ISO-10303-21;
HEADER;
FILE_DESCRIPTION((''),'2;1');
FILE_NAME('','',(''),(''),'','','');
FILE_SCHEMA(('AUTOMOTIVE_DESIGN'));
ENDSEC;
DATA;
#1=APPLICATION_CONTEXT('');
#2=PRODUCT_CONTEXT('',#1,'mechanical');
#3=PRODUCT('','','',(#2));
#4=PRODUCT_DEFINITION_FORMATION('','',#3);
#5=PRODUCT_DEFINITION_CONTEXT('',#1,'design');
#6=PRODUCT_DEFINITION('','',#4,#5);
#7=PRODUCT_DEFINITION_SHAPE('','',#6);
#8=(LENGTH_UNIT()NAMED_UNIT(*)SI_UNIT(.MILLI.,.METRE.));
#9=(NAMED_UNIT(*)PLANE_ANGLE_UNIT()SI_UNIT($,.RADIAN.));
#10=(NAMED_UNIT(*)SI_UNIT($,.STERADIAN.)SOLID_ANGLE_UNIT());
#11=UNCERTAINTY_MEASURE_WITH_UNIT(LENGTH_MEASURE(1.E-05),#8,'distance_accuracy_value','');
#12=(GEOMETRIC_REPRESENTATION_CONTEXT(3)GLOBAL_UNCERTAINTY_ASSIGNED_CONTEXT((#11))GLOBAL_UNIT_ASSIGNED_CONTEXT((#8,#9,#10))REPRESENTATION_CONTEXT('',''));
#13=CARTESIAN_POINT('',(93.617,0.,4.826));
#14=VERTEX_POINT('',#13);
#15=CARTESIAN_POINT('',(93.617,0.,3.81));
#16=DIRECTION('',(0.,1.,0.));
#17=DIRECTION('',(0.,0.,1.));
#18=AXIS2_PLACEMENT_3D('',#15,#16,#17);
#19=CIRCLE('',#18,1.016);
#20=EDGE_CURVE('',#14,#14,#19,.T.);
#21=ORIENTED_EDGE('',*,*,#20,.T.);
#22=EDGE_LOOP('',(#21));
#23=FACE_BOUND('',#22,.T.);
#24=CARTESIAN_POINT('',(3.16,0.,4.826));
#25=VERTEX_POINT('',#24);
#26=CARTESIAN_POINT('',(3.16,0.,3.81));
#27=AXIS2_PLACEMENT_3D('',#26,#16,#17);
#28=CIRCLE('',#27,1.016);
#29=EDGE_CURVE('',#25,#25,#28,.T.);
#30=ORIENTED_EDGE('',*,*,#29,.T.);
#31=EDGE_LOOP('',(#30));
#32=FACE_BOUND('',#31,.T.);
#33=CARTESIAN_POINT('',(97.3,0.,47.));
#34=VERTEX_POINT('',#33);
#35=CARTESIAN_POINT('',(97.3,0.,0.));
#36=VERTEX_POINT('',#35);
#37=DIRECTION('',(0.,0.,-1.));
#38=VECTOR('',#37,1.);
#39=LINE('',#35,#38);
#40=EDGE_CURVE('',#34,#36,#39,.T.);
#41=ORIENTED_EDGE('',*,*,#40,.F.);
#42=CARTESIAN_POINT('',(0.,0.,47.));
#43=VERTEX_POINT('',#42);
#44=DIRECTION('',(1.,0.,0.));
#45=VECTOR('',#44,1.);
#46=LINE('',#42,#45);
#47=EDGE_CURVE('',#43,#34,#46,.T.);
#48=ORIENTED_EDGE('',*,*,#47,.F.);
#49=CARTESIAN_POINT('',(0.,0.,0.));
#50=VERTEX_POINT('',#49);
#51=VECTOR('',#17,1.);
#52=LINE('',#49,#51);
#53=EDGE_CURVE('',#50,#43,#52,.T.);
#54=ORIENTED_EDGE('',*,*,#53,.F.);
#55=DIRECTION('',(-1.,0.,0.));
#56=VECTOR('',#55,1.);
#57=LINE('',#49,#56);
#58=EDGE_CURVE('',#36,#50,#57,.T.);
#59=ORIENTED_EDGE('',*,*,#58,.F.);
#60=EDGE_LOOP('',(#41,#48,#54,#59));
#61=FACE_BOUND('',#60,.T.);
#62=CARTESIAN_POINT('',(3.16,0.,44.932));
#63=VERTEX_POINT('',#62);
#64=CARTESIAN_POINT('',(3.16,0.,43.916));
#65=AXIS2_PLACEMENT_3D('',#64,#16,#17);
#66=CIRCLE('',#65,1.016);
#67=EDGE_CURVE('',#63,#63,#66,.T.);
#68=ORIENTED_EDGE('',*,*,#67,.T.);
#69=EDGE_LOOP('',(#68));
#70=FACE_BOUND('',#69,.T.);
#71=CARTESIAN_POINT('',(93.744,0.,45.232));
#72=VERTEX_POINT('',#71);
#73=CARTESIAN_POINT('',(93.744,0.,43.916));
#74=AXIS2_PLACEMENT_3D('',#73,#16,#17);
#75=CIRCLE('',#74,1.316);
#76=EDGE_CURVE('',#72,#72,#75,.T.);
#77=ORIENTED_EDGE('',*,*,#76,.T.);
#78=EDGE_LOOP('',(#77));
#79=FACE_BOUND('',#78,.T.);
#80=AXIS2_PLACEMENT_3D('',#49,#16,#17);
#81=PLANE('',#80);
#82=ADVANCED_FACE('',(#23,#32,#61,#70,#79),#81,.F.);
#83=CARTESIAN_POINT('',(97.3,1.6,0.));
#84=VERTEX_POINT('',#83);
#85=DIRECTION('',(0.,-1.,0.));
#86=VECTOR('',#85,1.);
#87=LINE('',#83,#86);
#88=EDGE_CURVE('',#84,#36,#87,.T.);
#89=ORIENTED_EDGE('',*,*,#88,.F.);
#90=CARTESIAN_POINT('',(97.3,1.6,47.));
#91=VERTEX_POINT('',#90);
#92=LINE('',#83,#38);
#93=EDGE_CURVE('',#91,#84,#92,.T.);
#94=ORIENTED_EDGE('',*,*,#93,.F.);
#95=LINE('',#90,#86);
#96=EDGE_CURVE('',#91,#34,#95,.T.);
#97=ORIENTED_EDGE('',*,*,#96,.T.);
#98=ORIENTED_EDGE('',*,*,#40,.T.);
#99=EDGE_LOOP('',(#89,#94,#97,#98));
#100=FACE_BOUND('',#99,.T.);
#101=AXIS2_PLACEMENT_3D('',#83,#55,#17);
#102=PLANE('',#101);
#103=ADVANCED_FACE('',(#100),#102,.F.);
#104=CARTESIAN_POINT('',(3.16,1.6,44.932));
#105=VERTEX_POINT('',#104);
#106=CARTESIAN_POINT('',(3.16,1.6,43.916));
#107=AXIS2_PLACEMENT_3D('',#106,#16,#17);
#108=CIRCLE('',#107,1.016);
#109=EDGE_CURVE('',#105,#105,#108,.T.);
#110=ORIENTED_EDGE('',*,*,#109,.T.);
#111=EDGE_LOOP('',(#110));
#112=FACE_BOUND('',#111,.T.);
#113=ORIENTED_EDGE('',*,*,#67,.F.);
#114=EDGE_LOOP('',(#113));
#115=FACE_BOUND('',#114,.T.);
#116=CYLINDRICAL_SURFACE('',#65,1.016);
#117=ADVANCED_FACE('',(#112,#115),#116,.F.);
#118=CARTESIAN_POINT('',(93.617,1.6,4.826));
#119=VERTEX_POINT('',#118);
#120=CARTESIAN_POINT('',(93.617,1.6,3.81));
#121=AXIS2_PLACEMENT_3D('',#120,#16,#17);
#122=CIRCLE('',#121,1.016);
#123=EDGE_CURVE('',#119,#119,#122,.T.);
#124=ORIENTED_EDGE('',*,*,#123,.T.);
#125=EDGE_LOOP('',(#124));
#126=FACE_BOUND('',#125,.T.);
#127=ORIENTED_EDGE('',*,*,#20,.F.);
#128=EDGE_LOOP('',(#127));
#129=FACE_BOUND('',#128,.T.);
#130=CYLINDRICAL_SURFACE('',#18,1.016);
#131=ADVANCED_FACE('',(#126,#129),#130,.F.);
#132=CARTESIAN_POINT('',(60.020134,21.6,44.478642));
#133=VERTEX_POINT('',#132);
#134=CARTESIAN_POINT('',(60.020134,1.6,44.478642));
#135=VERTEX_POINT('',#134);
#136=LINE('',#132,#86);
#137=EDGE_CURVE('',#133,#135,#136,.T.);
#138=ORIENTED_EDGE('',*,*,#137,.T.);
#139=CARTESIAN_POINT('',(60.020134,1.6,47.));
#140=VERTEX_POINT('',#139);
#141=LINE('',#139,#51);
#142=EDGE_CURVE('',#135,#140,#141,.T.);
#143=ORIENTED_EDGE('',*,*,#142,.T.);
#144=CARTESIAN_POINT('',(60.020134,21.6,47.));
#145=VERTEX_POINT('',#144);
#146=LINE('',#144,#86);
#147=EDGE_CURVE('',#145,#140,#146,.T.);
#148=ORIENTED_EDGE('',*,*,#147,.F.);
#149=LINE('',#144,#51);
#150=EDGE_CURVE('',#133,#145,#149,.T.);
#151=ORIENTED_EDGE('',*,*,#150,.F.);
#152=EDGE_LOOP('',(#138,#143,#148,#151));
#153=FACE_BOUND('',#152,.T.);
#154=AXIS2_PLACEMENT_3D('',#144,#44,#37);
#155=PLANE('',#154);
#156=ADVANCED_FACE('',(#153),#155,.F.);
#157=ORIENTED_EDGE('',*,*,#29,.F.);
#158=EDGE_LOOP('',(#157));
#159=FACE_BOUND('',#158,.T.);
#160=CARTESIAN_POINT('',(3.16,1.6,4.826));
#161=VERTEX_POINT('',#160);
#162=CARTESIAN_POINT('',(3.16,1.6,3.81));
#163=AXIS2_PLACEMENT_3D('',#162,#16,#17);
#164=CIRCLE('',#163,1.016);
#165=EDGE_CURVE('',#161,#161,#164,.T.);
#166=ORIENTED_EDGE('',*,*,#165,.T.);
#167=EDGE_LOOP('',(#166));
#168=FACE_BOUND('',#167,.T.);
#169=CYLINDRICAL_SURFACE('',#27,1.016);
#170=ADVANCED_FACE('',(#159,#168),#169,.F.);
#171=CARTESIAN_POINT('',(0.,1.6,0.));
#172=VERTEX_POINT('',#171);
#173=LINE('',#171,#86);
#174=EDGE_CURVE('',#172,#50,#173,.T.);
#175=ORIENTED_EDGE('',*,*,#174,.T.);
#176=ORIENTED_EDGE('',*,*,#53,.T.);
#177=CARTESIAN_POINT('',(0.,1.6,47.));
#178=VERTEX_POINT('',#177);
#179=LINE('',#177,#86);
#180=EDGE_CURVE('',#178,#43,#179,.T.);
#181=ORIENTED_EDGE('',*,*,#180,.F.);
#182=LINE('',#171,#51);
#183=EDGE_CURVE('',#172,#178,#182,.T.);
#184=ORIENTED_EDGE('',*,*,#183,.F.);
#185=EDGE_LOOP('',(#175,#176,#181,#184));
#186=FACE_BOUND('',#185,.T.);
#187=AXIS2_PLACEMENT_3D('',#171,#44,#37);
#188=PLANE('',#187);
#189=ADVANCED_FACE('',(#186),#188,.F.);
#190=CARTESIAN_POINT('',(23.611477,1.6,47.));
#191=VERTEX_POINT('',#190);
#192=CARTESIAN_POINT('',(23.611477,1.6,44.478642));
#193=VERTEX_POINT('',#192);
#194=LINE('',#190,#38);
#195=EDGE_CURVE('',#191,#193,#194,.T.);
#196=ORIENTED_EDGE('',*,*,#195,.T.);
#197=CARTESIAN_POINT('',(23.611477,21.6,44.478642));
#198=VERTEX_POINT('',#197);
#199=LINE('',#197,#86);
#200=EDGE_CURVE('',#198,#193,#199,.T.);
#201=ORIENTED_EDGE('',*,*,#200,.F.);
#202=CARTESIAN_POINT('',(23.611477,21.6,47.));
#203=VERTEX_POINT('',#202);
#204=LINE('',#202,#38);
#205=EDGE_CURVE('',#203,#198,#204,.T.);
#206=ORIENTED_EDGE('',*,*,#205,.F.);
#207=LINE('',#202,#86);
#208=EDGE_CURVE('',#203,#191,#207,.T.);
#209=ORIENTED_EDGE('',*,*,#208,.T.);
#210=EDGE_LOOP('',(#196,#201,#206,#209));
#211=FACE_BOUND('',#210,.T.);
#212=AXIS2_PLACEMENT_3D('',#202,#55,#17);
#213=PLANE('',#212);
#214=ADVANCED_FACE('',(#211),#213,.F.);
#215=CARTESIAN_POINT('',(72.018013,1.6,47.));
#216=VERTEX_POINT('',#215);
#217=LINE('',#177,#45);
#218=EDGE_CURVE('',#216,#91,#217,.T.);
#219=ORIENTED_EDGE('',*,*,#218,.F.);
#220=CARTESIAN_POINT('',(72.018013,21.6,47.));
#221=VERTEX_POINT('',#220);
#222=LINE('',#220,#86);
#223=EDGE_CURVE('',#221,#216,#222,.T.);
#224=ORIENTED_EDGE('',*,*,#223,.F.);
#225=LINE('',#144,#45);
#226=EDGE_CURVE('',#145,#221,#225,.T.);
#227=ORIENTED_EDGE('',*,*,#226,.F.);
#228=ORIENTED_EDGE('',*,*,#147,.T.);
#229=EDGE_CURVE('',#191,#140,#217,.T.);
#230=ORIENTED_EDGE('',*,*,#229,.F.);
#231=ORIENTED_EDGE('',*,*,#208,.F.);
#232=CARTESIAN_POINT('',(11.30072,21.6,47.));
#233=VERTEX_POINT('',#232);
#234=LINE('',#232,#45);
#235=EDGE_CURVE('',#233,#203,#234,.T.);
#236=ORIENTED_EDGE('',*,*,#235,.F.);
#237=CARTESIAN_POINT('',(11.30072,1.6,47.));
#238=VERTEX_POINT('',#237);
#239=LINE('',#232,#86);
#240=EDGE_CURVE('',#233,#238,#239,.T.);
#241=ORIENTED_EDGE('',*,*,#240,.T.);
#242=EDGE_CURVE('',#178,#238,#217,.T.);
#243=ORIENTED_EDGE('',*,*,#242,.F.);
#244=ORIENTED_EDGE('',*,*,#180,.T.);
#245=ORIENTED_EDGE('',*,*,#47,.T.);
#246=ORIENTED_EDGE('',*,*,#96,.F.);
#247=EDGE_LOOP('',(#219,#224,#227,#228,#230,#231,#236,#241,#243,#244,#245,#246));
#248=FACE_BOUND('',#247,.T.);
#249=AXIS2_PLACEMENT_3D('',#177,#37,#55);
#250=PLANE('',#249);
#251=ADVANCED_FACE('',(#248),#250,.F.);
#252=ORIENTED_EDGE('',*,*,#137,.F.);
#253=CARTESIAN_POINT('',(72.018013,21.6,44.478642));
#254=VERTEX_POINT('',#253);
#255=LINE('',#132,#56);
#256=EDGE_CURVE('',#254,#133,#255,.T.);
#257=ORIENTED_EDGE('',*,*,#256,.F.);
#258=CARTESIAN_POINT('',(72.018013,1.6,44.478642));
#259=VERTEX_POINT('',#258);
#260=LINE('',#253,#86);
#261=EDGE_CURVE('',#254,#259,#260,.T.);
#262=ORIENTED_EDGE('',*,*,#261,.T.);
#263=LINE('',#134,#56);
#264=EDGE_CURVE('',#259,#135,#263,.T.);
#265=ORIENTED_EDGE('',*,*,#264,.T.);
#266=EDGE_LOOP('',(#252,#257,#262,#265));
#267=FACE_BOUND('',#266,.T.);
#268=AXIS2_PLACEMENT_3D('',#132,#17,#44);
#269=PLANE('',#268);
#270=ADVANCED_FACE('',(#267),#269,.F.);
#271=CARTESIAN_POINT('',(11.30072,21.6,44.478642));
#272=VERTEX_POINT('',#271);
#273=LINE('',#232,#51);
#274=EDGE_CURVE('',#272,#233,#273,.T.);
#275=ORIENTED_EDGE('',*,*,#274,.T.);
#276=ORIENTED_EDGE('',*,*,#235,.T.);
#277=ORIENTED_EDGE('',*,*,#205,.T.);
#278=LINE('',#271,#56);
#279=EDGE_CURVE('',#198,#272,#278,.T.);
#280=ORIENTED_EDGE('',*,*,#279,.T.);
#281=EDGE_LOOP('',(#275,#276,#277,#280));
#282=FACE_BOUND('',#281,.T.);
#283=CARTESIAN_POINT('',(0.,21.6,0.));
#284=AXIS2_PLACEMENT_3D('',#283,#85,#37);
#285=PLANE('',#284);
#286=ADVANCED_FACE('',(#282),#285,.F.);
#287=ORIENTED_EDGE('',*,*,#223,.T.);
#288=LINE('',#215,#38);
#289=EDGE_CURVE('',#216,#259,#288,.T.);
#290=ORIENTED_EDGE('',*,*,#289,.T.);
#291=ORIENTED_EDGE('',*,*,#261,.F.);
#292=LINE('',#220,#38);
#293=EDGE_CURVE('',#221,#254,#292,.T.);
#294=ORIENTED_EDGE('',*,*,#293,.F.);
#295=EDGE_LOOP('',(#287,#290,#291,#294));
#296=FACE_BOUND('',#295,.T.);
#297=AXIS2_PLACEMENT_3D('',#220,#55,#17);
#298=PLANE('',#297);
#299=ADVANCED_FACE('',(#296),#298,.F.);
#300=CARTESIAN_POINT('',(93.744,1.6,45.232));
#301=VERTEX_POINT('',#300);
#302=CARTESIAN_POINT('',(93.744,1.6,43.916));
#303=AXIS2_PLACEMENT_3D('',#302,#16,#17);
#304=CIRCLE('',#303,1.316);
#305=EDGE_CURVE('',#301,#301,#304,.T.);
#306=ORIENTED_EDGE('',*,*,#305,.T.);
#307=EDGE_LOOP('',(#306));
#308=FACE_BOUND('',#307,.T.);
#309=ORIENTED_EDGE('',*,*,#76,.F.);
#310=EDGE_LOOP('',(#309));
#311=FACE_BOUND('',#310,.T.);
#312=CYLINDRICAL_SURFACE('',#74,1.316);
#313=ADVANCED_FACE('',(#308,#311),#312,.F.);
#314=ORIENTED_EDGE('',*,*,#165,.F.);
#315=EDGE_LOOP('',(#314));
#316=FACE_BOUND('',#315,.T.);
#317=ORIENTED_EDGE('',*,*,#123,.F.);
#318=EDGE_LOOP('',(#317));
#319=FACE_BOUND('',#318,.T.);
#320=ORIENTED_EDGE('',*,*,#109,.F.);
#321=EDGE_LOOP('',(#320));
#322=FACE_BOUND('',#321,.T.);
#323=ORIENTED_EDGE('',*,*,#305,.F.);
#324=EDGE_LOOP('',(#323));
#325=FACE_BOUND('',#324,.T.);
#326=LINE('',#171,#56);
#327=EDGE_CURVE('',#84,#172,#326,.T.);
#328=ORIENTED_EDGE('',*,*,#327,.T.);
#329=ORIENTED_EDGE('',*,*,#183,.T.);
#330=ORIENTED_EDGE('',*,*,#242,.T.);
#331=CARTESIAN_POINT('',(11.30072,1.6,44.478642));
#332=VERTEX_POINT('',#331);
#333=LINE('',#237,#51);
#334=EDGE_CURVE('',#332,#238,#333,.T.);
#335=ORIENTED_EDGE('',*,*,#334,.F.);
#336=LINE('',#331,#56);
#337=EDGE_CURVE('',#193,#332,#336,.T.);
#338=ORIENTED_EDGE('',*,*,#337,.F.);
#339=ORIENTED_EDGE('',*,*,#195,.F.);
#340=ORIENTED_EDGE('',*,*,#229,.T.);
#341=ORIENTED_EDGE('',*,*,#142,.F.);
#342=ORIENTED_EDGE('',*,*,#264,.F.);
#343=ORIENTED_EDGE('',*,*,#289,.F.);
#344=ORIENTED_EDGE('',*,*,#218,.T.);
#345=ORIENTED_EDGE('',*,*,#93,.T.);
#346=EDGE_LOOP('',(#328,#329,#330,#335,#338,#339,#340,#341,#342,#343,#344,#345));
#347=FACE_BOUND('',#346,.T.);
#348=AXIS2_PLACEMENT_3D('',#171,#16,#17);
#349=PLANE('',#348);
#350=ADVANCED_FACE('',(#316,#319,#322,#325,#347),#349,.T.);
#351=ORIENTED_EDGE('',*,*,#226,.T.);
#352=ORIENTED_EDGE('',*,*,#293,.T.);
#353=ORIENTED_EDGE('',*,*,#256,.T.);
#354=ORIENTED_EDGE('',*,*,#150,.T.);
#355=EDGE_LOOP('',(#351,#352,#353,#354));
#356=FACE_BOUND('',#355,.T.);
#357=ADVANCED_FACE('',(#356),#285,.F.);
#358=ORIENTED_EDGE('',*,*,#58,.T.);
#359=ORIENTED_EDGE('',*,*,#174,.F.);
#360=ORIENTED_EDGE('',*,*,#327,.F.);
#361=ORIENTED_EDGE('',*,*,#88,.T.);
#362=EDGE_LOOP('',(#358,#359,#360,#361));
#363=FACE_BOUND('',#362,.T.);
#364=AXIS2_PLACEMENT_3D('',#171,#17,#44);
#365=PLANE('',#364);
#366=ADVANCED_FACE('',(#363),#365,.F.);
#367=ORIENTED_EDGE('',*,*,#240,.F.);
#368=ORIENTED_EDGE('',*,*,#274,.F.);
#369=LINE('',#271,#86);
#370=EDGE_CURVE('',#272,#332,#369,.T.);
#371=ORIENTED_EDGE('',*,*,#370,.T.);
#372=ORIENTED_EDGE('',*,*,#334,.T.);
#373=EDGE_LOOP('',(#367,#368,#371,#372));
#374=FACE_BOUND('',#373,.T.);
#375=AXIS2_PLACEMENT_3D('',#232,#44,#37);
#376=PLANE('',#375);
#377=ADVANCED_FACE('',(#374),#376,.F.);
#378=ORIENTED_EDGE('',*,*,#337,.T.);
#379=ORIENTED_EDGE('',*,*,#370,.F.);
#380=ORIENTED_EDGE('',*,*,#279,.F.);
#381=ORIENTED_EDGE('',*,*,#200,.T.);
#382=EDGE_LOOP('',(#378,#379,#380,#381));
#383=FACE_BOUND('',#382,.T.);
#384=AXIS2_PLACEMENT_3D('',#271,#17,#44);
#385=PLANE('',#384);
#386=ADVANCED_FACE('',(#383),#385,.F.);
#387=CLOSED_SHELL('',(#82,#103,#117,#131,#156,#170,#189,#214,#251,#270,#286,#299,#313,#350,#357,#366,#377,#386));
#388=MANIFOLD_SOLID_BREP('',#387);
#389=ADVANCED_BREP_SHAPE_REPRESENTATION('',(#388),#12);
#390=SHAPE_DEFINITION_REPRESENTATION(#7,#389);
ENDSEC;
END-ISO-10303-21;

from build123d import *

# Parameters (mm, degrees)
SKETCH1_W           = 97.3
SKETCH1_H           = 47
BOSS_EXTRUDE1_DEPTH = 1.6
SKETCH2_W           = 12.310757006
SKETCH2_H           = 2.521357674
SKETCH2_W_2         = 11.997879532
BOSS_EXTRUDE2_DEPTH = 20
SKETCH3_R           = 1.016
SKETCH3_R_2         = 1.316
CUT_EXTRUDE3_DEPTH  = 2.6


with BuildPart() as part:
    # Sketch1 → Boss-Extrude1 (new body)
    with BuildSketch(Plane(origin=(0, 0, 0), x_dir=(1, 0, 0), z_dir=(0, 1, 0))):
        with Locations((48.65, -23.5)):
            Rectangle(SKETCH1_W, SKETCH1_H)
    extrude(amount=BOSS_EXTRUDE1_DEPTH)

    # Sketch2 → Boss-Extrude2 (add)
    with BuildSketch(Plane(origin=(0, 1.6, 0), x_dir=(1, 0, 0), z_dir=(0, 1, 0))):
        with Locations((17.456098962, -45.739321163)):
            Rectangle(SKETCH2_W, SKETCH2_H)
        with Locations((66.019073535, -45.739321163)):
            Rectangle(SKETCH2_W_2, SKETCH2_H)
    extrude(amount=BOSS_EXTRUDE2_DEPTH)

    # Sketch3 → Cut-Extrude3 (cut, through all)
    with BuildSketch(Plane(origin=(0, 1.6, 0), x_dir=(1, 0, 0), z_dir=(0, 1, 0))):
        with Locations((3.16, -3.81)):
            Circle(SKETCH3_R)
        with Locations((93.617, -3.81)):
            Circle(SKETCH3_R)
        with Locations((93.744, -43.916)):
            Circle(SKETCH3_R_2)
        with Locations((3.16, -43.916)):
            Circle(SKETCH3_R)
    extrude(amount=-CUT_EXTRUDE3_DEPTH, mode=Mode.SUBTRACT)


solid = part.part
